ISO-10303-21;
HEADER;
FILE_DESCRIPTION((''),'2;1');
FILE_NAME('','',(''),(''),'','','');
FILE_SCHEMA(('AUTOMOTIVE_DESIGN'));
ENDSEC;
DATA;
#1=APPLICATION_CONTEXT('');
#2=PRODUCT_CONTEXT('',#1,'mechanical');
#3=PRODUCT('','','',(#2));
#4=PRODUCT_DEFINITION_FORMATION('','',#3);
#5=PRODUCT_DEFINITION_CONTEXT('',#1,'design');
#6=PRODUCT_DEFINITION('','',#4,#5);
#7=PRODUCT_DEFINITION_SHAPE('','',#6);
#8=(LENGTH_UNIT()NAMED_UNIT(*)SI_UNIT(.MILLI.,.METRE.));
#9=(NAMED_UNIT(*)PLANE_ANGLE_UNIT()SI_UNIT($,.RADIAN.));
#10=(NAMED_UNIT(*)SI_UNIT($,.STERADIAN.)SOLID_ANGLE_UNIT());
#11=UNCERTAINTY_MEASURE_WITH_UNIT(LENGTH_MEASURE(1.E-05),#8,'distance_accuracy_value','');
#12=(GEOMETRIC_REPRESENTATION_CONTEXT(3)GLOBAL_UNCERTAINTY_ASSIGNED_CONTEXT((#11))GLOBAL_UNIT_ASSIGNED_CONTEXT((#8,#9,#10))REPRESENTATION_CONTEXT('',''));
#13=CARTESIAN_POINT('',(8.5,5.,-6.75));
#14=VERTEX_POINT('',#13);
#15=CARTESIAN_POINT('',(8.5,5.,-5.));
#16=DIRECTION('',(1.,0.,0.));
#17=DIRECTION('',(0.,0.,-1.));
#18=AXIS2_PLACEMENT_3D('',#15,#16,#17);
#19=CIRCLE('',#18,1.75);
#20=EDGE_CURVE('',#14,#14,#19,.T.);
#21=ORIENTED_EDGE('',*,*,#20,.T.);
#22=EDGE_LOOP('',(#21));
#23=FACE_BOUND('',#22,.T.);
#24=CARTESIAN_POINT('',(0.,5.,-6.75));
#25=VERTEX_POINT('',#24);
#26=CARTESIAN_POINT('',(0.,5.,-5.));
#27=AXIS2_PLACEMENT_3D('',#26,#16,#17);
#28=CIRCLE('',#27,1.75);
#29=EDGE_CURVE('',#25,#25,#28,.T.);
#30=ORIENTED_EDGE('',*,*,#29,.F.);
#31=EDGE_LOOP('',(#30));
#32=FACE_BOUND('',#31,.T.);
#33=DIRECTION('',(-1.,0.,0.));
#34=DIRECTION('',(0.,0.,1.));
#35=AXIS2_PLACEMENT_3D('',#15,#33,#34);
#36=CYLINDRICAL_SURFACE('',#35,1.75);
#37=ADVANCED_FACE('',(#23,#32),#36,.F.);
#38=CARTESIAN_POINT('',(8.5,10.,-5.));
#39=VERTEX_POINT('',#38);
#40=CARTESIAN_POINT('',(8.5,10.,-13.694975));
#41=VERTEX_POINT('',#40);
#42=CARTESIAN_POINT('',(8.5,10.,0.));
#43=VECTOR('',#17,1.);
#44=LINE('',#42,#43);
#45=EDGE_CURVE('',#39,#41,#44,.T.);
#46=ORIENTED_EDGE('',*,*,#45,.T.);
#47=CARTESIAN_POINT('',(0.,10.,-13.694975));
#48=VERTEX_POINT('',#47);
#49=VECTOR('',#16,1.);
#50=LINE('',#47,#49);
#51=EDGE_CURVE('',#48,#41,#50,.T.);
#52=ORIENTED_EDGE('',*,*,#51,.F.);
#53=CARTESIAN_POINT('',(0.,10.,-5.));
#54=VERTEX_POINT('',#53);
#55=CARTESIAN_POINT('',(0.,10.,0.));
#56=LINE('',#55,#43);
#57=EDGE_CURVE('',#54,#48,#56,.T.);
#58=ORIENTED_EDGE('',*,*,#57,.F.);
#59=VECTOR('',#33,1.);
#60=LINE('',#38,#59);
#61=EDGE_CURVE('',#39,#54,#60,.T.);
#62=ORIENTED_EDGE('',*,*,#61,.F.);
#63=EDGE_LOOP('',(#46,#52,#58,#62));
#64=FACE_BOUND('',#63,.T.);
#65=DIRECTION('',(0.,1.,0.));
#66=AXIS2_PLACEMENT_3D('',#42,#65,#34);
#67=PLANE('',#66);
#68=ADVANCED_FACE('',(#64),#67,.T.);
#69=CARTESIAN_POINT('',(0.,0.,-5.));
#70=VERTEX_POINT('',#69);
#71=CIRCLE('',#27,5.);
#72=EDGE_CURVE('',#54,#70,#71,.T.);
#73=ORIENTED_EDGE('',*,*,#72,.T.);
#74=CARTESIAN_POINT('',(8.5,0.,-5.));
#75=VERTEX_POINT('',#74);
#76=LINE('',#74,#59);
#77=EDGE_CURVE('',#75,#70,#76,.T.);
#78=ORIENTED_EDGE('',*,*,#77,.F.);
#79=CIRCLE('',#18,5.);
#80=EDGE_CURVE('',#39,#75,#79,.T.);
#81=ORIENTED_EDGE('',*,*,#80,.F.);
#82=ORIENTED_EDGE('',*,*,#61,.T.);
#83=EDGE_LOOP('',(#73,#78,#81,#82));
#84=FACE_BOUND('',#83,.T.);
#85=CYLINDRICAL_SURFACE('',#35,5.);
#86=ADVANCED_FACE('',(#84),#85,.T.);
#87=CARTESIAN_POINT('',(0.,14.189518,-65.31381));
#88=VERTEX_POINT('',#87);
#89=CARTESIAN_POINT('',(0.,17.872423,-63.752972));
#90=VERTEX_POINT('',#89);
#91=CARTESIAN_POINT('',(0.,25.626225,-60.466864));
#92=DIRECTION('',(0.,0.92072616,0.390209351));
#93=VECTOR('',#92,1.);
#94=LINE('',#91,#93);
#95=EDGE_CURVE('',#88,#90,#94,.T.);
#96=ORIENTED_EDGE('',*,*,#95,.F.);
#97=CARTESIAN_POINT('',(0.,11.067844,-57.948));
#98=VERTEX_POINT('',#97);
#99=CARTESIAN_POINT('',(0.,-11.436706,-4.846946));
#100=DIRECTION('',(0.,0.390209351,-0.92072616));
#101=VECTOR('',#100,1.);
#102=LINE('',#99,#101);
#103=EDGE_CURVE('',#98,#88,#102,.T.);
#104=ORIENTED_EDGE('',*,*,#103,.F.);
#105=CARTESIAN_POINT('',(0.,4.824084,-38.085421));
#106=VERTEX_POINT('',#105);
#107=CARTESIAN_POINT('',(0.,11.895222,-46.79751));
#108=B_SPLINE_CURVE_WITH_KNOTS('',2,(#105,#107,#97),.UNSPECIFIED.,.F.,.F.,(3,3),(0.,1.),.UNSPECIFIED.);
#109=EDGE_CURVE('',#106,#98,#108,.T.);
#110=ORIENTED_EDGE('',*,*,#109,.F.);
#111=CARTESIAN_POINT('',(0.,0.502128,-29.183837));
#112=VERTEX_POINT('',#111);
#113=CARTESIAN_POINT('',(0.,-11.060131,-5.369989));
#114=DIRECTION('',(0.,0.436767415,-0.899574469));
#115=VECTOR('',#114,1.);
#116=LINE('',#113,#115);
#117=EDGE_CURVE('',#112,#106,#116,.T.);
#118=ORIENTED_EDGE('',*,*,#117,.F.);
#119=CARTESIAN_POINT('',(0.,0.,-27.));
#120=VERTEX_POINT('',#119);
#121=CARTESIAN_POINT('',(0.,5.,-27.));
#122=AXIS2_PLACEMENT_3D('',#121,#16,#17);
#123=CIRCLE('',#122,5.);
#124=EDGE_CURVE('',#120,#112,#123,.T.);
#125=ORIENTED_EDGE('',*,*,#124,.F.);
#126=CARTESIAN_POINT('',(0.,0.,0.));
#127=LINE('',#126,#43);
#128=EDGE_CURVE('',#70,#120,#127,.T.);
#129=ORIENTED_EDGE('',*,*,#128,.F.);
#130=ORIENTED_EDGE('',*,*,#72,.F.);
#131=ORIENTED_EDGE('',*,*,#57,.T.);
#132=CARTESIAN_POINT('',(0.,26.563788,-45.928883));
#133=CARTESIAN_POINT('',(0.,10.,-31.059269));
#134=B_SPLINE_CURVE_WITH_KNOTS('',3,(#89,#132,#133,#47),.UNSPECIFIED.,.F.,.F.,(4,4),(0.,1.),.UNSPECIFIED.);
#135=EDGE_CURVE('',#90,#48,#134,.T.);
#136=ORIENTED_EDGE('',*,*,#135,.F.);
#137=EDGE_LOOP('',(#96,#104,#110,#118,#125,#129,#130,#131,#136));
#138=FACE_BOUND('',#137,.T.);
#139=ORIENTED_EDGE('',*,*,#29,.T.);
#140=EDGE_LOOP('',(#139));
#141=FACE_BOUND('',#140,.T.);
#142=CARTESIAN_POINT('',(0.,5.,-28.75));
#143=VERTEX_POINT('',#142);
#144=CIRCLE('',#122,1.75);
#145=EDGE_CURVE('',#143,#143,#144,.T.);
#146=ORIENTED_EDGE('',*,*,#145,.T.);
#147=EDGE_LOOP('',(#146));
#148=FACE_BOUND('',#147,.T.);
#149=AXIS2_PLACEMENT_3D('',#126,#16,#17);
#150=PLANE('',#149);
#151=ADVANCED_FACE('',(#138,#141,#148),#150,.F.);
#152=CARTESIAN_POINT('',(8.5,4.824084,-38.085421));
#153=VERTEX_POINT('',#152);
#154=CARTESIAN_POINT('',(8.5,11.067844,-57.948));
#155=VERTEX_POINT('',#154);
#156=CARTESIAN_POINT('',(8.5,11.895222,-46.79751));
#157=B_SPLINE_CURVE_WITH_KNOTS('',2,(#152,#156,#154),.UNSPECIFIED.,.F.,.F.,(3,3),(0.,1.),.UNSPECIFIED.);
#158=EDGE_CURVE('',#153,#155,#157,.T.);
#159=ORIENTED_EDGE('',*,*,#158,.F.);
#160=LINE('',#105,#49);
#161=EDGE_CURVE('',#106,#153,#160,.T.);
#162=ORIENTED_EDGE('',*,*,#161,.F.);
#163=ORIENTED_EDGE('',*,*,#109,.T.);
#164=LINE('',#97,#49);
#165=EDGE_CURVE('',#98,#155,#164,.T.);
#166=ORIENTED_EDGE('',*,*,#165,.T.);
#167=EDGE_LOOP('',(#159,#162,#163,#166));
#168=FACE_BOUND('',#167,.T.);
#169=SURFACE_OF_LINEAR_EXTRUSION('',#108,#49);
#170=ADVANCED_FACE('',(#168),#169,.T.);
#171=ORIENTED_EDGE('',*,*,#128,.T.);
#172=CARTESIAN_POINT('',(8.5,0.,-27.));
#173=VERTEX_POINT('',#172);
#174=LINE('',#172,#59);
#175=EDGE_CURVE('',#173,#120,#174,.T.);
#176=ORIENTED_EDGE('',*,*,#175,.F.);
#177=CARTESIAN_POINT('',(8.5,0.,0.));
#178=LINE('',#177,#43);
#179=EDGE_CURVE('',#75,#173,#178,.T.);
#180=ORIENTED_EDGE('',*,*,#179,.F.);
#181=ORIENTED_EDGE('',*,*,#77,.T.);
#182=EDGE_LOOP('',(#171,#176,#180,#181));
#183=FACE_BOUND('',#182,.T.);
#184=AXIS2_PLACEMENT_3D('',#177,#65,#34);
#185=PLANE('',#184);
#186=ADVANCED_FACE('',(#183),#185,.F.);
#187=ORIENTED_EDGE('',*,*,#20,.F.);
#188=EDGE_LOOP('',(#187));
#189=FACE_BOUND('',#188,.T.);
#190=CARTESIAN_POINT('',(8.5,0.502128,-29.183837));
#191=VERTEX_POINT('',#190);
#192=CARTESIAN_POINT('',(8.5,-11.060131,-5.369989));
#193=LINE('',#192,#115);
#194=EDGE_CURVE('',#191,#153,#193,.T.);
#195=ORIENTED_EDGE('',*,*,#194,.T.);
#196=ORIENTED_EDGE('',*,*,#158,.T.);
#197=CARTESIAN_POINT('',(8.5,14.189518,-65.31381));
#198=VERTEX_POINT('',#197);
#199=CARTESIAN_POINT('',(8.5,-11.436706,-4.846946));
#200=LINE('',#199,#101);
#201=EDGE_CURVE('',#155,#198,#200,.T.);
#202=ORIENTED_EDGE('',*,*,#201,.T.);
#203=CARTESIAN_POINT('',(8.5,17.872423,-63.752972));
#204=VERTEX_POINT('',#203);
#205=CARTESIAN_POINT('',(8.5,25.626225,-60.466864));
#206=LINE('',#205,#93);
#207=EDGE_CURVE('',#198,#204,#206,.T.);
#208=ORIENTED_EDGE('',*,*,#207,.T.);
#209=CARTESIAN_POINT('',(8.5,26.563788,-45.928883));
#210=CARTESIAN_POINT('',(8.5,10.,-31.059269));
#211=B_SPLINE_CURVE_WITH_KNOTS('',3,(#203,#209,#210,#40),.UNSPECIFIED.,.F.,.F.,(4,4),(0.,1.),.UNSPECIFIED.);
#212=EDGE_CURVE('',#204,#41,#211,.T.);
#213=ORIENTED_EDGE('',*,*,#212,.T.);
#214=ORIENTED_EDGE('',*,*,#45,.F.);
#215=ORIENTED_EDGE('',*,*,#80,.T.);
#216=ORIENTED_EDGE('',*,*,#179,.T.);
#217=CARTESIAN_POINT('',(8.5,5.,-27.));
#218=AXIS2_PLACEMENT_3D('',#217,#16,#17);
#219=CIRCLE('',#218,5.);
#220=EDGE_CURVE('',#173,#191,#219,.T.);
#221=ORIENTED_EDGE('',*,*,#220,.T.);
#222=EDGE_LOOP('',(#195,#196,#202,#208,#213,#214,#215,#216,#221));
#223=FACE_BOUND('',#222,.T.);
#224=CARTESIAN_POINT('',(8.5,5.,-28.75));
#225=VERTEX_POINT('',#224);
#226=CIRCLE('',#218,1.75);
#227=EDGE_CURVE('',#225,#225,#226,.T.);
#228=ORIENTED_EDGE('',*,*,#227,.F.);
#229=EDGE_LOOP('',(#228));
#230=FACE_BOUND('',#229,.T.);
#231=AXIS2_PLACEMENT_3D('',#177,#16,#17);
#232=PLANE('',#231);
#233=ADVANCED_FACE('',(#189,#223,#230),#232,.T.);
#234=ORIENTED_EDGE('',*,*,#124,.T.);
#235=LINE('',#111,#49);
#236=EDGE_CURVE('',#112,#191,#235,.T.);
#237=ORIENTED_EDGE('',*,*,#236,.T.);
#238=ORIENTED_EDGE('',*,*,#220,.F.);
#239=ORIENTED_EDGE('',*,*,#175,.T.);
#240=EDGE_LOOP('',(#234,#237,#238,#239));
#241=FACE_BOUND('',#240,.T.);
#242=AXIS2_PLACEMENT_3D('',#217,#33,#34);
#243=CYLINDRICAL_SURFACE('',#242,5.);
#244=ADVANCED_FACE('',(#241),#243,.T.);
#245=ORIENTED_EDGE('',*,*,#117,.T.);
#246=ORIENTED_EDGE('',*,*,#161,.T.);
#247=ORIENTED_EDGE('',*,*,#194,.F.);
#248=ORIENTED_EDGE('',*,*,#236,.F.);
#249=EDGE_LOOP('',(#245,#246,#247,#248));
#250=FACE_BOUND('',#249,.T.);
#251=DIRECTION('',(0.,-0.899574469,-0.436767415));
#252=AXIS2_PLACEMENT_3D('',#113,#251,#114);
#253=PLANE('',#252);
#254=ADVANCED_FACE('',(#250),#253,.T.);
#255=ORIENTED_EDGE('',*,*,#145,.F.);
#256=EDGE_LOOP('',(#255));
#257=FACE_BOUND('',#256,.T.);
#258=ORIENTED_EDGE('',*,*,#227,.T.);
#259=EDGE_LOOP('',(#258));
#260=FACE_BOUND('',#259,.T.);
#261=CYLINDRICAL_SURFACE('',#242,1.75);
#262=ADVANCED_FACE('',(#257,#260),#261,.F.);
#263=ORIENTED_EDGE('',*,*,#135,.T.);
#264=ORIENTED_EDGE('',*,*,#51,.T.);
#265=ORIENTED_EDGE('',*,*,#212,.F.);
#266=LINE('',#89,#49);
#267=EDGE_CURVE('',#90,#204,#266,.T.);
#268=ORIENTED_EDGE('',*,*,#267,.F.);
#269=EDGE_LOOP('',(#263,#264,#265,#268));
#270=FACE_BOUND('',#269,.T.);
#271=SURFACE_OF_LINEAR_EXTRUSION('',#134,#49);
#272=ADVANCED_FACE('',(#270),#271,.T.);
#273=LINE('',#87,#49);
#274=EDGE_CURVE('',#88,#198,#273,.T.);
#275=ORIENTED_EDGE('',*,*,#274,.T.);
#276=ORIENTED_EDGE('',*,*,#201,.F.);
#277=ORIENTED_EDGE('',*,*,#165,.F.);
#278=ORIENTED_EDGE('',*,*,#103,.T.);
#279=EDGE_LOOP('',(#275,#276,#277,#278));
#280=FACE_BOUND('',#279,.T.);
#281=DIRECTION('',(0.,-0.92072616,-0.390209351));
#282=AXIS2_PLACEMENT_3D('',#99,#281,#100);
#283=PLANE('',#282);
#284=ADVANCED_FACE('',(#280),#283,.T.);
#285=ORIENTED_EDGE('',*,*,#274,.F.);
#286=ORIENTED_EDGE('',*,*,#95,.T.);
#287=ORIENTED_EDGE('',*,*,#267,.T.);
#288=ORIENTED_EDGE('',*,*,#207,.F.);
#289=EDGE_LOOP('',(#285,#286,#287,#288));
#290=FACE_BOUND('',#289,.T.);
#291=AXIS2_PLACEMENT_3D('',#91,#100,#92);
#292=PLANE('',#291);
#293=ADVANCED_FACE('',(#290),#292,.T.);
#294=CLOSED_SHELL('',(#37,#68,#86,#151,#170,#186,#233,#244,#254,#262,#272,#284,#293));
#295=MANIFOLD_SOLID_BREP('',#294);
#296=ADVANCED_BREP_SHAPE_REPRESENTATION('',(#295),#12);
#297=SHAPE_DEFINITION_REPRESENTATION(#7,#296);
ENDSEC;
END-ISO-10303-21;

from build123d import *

# Parameters (mm, degrees)
SKETCH1_R           = 1.75
BOSS_EXTRUDE1_DEPTH = 8.5
BOSS_EXTRUDE2_DEPTH = 8.5


with BuildPart() as part:
    # Sketch1 → Boss-Extrude1 (new body)
    with BuildSketch(Plane(origin=(0, 0, 0), x_dir=(0, 0, -1), z_dir=(1, 0, 0))):
        with BuildLine():
            Line((27, 10), (5, 10))
            ThreePointArc((5, 10), (0, 5), (5, 0))
            Line((5, 0), (27, 0))
            ThreePointArc((27, 0), (32, 5), (27, 10))
        make_face()
        with Locations((5, 5)):
            Circle(SKETCH1_R, mode=Mode.SUBTRACT)
        with Locations((27, 5)):
            Circle(SKETCH1_R, mode=Mode.SUBTRACT)
    extrude(amount=BOSS_EXTRUDE1_DEPTH)

    # Sketch2 → Boss-Extrude2 (add)
    with BuildSketch(Plane(origin=(8.5, 0, 0), x_dir=(0, 0, -1), z_dir=(1, 0, 0))):
        with BuildLine():
            add(Edge.make_bspline(
                [(63.752972286, 17.872423117), (45.928882678, 26.563787963), (31.059268621, 10), (13.694974759, 10)],
                knots=[0, 0, 0, 0, 1, 1, 1, 1], degree=3))
            Line((13.694974759, 10), (27, 10))
            ThreePointArc((27, 10), (31.87285141, 6.120410255), (29.183837075, 0.502127655))
            Line((29.183837075, 0.502127655), (38.08542066, 4.824084077))
            add(Edge.make_bspline(
                [(38.08542066, 4.824084077), (46.797509509, 11.895222457), (57.948000409, 11.067843667)],
                knots=[0, 0, 0, 1, 1, 1], degree=2))
            Line((57.948000409, 11.067843667), (65.313809691, 14.189518476))
            Line((65.313809691, 14.189518476), (63.752972286, 17.872423117))
        make_face()
    extrude(amount=-BOSS_EXTRUDE2_DEPTH)


solid = part.part
